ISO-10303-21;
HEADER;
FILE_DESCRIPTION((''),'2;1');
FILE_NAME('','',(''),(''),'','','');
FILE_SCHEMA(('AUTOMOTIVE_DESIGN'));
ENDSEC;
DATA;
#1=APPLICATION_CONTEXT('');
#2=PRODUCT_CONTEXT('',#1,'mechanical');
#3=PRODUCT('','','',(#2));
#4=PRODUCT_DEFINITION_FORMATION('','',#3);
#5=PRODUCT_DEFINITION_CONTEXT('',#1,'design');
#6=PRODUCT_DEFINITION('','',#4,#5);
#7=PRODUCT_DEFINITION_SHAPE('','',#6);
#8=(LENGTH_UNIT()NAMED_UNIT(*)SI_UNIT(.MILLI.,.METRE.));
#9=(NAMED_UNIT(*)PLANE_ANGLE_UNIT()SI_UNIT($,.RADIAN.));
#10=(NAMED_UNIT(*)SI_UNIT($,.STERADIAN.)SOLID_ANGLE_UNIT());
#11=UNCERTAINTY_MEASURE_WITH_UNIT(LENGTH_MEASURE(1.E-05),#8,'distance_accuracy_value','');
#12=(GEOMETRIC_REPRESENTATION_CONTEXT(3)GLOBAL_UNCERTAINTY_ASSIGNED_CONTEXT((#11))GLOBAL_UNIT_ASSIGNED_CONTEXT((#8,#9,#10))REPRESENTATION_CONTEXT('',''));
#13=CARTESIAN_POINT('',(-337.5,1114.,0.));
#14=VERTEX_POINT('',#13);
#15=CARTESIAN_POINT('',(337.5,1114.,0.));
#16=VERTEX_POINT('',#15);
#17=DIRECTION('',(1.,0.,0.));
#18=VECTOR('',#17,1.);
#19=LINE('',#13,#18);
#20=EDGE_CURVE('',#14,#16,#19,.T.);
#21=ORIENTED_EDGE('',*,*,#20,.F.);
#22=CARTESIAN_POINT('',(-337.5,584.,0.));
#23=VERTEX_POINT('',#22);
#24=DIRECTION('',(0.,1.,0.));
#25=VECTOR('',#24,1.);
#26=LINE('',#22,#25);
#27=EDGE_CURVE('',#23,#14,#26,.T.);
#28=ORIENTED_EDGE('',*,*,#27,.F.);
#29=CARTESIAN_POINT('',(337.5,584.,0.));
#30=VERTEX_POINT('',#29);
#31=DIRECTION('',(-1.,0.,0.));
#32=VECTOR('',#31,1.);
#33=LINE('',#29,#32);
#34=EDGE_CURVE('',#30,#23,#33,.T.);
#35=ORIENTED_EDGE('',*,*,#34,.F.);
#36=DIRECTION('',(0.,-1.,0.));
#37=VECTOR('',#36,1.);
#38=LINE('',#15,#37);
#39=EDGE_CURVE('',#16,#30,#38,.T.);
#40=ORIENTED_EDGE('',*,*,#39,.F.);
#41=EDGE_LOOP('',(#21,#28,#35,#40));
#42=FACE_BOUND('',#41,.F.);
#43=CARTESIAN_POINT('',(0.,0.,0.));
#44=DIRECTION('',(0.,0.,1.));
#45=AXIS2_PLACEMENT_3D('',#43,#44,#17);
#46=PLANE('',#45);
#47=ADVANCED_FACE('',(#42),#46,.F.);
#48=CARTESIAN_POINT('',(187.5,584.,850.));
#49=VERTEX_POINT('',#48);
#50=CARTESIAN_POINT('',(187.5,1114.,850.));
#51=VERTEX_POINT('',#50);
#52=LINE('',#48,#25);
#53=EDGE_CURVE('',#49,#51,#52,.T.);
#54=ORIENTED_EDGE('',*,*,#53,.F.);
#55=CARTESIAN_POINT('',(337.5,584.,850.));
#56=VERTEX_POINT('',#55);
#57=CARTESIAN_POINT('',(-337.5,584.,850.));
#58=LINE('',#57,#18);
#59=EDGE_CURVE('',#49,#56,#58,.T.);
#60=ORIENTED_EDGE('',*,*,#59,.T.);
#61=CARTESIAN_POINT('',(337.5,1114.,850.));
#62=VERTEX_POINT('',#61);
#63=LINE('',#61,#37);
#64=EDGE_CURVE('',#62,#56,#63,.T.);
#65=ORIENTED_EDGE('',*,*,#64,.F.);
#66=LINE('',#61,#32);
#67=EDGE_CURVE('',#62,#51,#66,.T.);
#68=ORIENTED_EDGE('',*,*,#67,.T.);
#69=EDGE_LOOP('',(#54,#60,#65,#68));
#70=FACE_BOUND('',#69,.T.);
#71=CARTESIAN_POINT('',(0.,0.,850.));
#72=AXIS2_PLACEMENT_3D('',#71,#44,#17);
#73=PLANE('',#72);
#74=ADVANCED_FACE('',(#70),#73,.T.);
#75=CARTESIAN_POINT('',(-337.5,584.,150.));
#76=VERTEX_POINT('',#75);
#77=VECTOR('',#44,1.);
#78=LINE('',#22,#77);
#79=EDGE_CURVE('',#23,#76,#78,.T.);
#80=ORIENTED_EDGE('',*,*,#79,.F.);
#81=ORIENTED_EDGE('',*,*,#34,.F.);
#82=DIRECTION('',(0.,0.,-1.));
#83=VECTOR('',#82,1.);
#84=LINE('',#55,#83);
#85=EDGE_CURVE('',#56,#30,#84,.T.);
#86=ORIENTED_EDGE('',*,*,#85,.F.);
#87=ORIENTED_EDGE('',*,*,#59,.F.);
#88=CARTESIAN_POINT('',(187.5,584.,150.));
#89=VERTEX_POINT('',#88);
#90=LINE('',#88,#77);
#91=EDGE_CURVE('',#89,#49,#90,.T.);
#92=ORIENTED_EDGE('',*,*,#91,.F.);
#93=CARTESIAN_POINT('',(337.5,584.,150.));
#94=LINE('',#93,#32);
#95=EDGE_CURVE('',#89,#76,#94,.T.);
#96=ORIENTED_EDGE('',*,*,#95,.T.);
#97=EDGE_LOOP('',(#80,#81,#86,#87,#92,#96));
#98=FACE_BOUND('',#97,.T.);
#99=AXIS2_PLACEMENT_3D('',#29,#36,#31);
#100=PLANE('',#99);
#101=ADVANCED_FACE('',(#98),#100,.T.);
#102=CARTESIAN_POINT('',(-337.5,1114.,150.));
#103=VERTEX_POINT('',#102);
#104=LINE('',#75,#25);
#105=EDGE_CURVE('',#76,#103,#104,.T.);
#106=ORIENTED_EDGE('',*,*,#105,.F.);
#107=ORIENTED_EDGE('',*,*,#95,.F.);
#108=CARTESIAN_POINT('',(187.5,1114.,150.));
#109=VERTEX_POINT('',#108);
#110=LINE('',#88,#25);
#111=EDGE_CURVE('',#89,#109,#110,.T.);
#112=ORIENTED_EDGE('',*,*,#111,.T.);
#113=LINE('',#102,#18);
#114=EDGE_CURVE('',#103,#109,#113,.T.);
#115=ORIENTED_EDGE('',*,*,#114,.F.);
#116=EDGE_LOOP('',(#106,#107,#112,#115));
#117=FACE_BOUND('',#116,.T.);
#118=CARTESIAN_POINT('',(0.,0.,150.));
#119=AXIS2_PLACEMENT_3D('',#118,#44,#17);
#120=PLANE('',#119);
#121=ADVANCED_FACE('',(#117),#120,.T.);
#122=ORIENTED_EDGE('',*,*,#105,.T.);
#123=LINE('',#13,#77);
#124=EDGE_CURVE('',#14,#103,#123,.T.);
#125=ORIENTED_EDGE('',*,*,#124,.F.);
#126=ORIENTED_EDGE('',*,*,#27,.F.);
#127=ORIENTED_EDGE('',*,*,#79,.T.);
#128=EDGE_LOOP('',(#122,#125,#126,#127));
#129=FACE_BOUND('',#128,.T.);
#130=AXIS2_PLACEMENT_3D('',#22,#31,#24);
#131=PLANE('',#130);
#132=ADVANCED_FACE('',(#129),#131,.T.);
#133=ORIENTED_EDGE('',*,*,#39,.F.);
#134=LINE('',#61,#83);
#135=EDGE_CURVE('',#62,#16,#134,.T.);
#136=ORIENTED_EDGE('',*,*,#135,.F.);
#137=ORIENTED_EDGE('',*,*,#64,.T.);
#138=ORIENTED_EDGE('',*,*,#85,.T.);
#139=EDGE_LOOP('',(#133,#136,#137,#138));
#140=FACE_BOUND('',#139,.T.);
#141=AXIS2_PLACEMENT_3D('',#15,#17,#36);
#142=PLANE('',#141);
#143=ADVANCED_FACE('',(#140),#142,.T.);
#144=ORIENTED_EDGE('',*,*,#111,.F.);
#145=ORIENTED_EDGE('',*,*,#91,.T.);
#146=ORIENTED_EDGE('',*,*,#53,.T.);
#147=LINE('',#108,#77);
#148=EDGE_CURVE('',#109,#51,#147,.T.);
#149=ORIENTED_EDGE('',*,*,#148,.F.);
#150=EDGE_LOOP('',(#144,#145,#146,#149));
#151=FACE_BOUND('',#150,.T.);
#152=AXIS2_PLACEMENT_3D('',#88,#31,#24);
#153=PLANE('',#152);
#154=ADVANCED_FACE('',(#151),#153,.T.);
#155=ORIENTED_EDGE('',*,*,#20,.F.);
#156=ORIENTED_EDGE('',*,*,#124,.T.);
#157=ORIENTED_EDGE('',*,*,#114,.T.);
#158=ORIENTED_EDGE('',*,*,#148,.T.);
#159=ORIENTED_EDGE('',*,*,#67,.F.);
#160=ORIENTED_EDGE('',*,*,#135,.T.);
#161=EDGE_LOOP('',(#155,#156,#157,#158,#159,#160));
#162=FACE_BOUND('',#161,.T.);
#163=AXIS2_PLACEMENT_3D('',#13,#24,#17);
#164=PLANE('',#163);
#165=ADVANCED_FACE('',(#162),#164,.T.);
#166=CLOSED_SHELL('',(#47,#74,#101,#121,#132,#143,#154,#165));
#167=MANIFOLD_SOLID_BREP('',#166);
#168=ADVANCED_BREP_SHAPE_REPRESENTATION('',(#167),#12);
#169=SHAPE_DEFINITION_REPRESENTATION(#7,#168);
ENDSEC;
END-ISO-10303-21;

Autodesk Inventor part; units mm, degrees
ref_plane "YZ Plane" through (0, 0, 0) normal (1, 0, 0) x (0, 1, 0)
ref_plane "XZ Plane" through (0, 0, 0) normal (0, 1, 0) x (-1, 0, 0)
ref_plane "XY Plane" through (0, 0, 0) normal (0, 0, 1) x (1, 0, 0)
ref_plane "Work Plane1" through (0, 0, 0) normal (0, 0, 1) x (1, 0, 0)
sketch "Sketch1" plane through (0, 0, 0) normal (0, 0, 1) x (1, 0, 0)
  line L0 (-337.5, 1114) -> (337.5, 1114)
  line L1 (-337.5, 1114) -> (337.5, 1114)
  line L2 (337.5, 584) -> (-337.5, 584)
  line L3 (337.5, 584) -> (-337.5, 584)
  line L4 (-337.5, 584) -> (-337.5, 1114)
  line L5 (-337.5, 1114) -> (337.5, 1114)
  line L6 (337.5, 1114) -> (337.5, 584)
  point P0 (0, 0)
extrude "Extrusion1" add sketch "Sketch1" along normal blind 150
sketch "Sketch2" plane through (0, 0, 150) normal (0, 0, 1) x (1, 0, 0)
  line L0 (-337.5, 584) -> (337.5, 584) projected
  line L1 (337.5, 1114) -> (-337.5, 1114) projected
  line L2 (337.5, 584) -> (187.5, 584)
  line L3 (187.5, 584) -> (187.5, 1114)
  line L4 (187.5, 1114) -> (337.5, 1114)
  line L5 (337.5, 1114) -> (337.5, 584)
  point P0 (0, 0)
  point P1 (187.5, 584)
  dimension "d6" = 150
extrude "Extrusion2" add sketch "Sketch2" along normal blind 700
properties part number "silla" material "Lead"
